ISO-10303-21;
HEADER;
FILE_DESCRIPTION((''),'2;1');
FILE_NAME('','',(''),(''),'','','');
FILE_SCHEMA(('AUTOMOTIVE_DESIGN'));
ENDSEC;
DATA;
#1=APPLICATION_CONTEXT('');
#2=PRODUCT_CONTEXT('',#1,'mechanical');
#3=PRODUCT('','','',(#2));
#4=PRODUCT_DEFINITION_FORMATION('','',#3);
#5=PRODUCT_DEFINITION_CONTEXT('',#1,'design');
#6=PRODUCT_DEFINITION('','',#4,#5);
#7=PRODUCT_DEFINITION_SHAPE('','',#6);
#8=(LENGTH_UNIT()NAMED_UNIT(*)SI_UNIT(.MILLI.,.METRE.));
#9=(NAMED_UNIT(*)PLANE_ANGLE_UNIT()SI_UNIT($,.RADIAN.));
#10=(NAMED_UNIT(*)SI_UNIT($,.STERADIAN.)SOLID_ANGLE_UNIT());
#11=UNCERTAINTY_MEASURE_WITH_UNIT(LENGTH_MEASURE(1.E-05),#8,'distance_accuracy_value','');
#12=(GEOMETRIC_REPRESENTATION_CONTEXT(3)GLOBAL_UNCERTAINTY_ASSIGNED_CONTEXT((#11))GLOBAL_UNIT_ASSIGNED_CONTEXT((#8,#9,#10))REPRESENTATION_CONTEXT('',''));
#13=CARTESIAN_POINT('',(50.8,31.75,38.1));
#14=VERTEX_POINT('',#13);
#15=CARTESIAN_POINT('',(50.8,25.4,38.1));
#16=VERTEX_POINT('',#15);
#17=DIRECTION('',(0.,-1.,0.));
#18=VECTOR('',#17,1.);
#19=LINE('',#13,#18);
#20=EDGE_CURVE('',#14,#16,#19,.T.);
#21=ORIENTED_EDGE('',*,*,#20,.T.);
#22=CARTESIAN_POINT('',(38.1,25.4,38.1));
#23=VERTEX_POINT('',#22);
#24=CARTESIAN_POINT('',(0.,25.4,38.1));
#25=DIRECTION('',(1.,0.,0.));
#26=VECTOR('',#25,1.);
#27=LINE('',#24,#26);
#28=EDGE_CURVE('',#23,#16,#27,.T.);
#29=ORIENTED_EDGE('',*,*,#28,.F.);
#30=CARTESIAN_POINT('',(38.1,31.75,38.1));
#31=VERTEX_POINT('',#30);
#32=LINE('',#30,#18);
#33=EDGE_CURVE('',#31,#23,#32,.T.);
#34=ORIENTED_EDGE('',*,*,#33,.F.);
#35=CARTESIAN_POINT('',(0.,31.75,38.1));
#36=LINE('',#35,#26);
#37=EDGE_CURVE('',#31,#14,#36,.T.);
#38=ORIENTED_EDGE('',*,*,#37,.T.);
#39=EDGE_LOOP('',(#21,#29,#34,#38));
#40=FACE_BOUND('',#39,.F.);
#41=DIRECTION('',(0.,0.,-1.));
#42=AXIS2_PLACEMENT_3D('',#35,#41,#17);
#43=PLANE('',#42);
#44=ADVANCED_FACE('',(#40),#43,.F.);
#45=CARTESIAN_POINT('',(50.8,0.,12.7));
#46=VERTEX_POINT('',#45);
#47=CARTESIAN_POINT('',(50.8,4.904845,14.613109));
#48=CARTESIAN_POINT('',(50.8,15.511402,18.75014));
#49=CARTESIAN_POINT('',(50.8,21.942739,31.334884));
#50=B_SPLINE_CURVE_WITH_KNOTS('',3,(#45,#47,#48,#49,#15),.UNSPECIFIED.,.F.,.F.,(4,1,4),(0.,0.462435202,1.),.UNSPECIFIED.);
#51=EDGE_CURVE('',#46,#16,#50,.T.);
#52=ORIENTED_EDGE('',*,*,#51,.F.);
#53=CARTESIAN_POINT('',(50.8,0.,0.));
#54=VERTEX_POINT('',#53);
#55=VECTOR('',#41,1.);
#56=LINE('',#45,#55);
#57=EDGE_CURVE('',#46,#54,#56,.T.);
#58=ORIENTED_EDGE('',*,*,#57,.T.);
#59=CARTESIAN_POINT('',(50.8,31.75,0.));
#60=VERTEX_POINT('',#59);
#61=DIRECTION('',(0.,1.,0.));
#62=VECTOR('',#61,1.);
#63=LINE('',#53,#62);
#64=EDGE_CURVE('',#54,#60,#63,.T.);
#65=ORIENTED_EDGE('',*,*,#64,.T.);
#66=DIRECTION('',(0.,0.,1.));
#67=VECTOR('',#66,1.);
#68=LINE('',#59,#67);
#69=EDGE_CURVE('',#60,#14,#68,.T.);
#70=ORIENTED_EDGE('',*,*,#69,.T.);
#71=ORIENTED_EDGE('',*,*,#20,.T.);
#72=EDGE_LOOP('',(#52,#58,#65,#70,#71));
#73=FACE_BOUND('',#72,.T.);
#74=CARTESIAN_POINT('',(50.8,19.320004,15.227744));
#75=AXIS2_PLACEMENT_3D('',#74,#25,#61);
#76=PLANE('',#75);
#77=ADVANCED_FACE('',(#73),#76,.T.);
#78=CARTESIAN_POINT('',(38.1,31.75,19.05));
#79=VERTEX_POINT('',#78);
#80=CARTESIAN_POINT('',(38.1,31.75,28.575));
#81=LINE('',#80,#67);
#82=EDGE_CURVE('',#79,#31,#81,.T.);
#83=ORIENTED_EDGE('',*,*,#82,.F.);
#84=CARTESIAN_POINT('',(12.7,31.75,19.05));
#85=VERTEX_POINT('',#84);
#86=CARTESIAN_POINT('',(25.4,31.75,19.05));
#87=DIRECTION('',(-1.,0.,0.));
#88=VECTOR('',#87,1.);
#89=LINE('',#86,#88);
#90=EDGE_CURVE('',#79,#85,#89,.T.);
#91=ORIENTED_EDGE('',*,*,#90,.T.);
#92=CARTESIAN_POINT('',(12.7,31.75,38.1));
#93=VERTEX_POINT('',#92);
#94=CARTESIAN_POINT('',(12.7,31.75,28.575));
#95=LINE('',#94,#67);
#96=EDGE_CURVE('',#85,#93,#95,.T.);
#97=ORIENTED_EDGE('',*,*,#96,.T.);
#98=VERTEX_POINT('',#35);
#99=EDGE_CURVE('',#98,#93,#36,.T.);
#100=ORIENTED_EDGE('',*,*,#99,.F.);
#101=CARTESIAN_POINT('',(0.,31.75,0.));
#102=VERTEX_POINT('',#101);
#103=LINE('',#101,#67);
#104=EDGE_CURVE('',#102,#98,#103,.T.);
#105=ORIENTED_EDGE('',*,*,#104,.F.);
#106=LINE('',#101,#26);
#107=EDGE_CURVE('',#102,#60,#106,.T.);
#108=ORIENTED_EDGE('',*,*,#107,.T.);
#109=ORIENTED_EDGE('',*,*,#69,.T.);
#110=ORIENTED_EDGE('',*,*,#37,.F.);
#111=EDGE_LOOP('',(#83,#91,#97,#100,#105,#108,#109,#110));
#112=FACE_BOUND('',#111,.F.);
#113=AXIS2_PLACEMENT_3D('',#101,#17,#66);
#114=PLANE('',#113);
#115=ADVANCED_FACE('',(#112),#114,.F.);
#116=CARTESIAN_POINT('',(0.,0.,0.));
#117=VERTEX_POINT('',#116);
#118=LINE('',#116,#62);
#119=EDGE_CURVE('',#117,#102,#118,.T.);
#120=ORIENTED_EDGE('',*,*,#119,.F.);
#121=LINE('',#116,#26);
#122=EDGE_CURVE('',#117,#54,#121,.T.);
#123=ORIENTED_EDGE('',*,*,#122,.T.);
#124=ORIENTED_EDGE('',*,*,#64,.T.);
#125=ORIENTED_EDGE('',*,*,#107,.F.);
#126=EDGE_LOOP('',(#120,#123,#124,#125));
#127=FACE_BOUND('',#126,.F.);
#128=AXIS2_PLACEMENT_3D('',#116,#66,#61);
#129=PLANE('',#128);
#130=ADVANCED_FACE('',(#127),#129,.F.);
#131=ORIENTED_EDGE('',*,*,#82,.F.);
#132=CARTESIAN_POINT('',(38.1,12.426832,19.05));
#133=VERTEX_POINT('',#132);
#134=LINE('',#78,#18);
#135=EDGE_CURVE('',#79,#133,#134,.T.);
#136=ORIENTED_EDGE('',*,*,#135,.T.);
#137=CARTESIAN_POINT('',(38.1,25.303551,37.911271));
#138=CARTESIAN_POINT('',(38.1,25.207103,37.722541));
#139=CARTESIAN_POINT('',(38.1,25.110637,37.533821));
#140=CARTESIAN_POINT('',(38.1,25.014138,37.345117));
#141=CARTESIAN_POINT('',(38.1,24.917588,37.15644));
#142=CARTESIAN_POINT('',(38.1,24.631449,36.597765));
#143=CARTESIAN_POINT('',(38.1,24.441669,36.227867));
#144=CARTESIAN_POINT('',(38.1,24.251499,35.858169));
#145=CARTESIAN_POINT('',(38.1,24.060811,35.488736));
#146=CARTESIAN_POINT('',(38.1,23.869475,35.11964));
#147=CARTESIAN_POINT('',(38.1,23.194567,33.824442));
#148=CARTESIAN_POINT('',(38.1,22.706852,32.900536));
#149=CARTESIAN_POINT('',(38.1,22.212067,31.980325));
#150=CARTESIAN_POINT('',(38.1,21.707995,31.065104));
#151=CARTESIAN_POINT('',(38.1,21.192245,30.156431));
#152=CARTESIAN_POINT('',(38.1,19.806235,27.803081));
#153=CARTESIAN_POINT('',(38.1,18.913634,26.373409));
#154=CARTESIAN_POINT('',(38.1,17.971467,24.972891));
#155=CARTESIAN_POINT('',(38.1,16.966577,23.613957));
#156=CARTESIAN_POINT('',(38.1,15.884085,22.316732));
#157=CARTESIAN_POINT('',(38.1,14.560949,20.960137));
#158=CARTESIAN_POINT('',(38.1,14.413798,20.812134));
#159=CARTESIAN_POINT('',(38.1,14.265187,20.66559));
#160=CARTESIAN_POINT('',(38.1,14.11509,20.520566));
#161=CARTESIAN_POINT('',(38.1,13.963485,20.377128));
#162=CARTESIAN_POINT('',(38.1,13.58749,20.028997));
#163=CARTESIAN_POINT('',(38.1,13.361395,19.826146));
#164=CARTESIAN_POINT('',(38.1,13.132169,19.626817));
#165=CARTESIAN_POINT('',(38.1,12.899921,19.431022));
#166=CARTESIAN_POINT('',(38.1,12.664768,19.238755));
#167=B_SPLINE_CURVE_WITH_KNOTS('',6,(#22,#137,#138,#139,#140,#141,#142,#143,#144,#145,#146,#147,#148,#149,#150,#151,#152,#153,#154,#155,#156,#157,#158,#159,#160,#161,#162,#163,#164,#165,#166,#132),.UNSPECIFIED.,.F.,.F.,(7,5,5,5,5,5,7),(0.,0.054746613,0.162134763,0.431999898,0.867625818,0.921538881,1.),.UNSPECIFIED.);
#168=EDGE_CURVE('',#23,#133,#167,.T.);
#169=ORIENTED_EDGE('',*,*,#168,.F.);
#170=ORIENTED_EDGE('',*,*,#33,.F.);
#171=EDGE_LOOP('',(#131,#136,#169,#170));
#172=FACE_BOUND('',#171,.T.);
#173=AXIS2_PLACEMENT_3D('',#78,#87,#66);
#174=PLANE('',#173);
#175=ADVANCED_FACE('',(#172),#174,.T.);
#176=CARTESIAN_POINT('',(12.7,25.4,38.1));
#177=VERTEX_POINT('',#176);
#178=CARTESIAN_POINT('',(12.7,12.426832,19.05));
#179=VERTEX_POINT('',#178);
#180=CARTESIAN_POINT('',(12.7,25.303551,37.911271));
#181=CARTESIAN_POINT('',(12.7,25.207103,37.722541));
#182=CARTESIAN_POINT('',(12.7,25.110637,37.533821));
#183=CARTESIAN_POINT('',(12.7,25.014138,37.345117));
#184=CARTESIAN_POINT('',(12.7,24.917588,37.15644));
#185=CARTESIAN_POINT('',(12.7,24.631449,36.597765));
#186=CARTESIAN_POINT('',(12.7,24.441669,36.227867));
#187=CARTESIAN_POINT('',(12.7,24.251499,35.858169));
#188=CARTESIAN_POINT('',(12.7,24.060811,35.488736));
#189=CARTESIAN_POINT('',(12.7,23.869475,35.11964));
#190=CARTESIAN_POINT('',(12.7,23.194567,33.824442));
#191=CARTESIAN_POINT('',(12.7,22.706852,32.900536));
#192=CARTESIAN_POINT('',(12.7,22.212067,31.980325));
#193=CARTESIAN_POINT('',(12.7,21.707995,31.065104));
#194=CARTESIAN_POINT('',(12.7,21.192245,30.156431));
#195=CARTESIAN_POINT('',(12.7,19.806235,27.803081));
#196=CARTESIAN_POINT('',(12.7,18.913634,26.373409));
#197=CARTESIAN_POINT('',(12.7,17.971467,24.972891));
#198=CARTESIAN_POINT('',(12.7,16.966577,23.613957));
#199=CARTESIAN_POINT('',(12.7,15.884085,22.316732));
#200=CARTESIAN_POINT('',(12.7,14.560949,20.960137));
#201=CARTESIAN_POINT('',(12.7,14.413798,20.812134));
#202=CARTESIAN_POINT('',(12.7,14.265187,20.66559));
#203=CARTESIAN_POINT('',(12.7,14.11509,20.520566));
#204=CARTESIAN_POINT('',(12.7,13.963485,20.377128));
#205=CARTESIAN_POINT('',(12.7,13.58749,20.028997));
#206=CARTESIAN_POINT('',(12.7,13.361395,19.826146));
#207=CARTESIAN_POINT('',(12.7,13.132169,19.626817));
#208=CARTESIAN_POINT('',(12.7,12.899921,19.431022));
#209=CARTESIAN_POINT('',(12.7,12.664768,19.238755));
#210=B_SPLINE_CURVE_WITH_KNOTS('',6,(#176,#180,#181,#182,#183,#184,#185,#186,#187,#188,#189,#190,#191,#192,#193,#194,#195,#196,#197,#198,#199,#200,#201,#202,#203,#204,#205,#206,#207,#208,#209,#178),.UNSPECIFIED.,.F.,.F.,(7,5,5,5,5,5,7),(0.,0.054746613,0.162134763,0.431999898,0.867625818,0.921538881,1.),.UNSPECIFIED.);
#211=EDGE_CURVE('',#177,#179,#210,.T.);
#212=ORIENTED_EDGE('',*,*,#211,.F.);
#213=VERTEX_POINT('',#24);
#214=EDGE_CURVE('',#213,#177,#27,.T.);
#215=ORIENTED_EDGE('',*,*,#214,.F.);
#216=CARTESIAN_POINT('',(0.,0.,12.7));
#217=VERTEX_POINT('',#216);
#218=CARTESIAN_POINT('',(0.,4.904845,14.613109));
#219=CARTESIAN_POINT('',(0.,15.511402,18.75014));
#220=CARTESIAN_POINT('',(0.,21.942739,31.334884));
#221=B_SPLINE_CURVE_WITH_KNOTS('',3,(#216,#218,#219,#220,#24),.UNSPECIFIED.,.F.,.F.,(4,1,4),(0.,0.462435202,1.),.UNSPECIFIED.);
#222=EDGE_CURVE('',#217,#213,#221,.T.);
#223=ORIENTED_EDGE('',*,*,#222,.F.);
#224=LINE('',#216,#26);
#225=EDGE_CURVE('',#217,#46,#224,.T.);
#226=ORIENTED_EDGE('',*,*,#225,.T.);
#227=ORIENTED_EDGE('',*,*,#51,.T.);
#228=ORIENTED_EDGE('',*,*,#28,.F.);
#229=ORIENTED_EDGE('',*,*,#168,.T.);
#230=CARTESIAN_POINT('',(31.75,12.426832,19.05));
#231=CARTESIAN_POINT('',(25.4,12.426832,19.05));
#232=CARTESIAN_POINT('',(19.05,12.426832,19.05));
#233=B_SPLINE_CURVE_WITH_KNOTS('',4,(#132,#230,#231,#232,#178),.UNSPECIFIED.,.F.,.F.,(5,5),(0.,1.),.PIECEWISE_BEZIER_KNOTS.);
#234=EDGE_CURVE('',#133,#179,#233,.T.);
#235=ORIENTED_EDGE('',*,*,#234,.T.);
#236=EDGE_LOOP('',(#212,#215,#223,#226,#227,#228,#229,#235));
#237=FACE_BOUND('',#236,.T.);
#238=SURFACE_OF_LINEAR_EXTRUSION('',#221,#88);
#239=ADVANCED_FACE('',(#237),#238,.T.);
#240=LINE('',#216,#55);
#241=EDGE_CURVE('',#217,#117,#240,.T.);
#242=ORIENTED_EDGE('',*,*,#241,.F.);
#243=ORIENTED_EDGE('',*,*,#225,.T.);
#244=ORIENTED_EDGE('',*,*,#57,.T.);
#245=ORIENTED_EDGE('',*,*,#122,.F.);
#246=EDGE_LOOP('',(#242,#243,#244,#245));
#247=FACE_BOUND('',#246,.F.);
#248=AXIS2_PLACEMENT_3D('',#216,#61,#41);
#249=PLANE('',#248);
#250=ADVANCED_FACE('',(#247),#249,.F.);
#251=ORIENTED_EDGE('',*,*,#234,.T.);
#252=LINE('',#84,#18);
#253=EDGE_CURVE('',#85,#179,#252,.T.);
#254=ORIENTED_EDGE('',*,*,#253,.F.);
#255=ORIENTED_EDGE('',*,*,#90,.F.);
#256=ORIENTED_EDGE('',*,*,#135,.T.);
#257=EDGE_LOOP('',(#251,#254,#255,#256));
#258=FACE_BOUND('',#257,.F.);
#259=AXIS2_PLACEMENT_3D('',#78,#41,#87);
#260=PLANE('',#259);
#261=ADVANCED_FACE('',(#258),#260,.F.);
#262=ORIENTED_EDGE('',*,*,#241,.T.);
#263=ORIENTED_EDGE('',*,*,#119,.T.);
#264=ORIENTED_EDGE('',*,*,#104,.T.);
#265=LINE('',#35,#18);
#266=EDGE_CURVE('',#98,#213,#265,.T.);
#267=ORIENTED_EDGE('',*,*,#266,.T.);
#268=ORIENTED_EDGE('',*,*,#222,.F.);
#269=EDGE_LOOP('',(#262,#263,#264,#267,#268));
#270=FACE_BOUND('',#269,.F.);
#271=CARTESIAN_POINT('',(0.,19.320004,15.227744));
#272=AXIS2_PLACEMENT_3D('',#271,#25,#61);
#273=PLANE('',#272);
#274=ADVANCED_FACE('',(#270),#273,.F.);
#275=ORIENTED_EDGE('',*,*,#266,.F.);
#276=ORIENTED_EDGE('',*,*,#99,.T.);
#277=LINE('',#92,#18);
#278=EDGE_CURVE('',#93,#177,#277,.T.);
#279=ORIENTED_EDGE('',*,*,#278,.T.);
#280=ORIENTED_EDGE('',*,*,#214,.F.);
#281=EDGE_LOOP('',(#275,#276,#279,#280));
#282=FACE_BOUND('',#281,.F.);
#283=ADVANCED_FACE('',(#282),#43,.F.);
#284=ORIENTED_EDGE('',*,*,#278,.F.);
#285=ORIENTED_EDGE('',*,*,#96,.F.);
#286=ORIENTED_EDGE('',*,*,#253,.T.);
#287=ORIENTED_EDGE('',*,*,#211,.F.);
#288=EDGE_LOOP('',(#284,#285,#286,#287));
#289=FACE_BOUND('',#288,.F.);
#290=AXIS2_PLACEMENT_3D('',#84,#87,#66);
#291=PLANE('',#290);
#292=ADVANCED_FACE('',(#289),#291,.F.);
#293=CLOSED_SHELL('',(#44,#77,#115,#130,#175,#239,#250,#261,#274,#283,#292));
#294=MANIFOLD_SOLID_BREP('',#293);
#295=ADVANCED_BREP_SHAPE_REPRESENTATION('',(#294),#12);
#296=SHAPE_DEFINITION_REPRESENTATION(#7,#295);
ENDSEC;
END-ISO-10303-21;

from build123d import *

# Parameters (mm, degrees)
F1_DEPTH = 50.8
F2_W     = 25.4
F2_H     = 19.05
F3_DEPTH = 25.4


with BuildPart() as f1:
    # F0 (on Right) → F1 (new body)
    with BuildSketch(Plane.YZ):
        with BuildLine():
            Line((0, 12.7), (0, 0))
            Line((0, 0), (31.75, 0))
            Line((31.75, 0), (31.75, 38.1))
            Line((31.75, 38.1), (25.4, 38.1))
            add(Edge.make_bspline(
                [(0, 12.7), (4.9048450829, 14.6131088522), (15.5114015393, 18.7501400336), (21.9427392474, 31.3348844282), (25.4, 38.1)],
                knots=[0, 0, 0, 0, 0.4624352025, 1, 1, 1, 1], degree=3))
        make_face()
    extrude(amount=F1_DEPTH)

    # F2 (on face) → F3 (cut)
    with BuildSketch(Plane(origin=(0, 31.75, 0), x_dir=(-1, 0, 0), z_dir=(0, 1, 0))):
        with Locations((-25.4, 28.575)):
            Rectangle(F2_W, F2_H)
    extrude(amount=-F3_DEPTH, mode=Mode.SUBTRACT)


solid = f1.part
